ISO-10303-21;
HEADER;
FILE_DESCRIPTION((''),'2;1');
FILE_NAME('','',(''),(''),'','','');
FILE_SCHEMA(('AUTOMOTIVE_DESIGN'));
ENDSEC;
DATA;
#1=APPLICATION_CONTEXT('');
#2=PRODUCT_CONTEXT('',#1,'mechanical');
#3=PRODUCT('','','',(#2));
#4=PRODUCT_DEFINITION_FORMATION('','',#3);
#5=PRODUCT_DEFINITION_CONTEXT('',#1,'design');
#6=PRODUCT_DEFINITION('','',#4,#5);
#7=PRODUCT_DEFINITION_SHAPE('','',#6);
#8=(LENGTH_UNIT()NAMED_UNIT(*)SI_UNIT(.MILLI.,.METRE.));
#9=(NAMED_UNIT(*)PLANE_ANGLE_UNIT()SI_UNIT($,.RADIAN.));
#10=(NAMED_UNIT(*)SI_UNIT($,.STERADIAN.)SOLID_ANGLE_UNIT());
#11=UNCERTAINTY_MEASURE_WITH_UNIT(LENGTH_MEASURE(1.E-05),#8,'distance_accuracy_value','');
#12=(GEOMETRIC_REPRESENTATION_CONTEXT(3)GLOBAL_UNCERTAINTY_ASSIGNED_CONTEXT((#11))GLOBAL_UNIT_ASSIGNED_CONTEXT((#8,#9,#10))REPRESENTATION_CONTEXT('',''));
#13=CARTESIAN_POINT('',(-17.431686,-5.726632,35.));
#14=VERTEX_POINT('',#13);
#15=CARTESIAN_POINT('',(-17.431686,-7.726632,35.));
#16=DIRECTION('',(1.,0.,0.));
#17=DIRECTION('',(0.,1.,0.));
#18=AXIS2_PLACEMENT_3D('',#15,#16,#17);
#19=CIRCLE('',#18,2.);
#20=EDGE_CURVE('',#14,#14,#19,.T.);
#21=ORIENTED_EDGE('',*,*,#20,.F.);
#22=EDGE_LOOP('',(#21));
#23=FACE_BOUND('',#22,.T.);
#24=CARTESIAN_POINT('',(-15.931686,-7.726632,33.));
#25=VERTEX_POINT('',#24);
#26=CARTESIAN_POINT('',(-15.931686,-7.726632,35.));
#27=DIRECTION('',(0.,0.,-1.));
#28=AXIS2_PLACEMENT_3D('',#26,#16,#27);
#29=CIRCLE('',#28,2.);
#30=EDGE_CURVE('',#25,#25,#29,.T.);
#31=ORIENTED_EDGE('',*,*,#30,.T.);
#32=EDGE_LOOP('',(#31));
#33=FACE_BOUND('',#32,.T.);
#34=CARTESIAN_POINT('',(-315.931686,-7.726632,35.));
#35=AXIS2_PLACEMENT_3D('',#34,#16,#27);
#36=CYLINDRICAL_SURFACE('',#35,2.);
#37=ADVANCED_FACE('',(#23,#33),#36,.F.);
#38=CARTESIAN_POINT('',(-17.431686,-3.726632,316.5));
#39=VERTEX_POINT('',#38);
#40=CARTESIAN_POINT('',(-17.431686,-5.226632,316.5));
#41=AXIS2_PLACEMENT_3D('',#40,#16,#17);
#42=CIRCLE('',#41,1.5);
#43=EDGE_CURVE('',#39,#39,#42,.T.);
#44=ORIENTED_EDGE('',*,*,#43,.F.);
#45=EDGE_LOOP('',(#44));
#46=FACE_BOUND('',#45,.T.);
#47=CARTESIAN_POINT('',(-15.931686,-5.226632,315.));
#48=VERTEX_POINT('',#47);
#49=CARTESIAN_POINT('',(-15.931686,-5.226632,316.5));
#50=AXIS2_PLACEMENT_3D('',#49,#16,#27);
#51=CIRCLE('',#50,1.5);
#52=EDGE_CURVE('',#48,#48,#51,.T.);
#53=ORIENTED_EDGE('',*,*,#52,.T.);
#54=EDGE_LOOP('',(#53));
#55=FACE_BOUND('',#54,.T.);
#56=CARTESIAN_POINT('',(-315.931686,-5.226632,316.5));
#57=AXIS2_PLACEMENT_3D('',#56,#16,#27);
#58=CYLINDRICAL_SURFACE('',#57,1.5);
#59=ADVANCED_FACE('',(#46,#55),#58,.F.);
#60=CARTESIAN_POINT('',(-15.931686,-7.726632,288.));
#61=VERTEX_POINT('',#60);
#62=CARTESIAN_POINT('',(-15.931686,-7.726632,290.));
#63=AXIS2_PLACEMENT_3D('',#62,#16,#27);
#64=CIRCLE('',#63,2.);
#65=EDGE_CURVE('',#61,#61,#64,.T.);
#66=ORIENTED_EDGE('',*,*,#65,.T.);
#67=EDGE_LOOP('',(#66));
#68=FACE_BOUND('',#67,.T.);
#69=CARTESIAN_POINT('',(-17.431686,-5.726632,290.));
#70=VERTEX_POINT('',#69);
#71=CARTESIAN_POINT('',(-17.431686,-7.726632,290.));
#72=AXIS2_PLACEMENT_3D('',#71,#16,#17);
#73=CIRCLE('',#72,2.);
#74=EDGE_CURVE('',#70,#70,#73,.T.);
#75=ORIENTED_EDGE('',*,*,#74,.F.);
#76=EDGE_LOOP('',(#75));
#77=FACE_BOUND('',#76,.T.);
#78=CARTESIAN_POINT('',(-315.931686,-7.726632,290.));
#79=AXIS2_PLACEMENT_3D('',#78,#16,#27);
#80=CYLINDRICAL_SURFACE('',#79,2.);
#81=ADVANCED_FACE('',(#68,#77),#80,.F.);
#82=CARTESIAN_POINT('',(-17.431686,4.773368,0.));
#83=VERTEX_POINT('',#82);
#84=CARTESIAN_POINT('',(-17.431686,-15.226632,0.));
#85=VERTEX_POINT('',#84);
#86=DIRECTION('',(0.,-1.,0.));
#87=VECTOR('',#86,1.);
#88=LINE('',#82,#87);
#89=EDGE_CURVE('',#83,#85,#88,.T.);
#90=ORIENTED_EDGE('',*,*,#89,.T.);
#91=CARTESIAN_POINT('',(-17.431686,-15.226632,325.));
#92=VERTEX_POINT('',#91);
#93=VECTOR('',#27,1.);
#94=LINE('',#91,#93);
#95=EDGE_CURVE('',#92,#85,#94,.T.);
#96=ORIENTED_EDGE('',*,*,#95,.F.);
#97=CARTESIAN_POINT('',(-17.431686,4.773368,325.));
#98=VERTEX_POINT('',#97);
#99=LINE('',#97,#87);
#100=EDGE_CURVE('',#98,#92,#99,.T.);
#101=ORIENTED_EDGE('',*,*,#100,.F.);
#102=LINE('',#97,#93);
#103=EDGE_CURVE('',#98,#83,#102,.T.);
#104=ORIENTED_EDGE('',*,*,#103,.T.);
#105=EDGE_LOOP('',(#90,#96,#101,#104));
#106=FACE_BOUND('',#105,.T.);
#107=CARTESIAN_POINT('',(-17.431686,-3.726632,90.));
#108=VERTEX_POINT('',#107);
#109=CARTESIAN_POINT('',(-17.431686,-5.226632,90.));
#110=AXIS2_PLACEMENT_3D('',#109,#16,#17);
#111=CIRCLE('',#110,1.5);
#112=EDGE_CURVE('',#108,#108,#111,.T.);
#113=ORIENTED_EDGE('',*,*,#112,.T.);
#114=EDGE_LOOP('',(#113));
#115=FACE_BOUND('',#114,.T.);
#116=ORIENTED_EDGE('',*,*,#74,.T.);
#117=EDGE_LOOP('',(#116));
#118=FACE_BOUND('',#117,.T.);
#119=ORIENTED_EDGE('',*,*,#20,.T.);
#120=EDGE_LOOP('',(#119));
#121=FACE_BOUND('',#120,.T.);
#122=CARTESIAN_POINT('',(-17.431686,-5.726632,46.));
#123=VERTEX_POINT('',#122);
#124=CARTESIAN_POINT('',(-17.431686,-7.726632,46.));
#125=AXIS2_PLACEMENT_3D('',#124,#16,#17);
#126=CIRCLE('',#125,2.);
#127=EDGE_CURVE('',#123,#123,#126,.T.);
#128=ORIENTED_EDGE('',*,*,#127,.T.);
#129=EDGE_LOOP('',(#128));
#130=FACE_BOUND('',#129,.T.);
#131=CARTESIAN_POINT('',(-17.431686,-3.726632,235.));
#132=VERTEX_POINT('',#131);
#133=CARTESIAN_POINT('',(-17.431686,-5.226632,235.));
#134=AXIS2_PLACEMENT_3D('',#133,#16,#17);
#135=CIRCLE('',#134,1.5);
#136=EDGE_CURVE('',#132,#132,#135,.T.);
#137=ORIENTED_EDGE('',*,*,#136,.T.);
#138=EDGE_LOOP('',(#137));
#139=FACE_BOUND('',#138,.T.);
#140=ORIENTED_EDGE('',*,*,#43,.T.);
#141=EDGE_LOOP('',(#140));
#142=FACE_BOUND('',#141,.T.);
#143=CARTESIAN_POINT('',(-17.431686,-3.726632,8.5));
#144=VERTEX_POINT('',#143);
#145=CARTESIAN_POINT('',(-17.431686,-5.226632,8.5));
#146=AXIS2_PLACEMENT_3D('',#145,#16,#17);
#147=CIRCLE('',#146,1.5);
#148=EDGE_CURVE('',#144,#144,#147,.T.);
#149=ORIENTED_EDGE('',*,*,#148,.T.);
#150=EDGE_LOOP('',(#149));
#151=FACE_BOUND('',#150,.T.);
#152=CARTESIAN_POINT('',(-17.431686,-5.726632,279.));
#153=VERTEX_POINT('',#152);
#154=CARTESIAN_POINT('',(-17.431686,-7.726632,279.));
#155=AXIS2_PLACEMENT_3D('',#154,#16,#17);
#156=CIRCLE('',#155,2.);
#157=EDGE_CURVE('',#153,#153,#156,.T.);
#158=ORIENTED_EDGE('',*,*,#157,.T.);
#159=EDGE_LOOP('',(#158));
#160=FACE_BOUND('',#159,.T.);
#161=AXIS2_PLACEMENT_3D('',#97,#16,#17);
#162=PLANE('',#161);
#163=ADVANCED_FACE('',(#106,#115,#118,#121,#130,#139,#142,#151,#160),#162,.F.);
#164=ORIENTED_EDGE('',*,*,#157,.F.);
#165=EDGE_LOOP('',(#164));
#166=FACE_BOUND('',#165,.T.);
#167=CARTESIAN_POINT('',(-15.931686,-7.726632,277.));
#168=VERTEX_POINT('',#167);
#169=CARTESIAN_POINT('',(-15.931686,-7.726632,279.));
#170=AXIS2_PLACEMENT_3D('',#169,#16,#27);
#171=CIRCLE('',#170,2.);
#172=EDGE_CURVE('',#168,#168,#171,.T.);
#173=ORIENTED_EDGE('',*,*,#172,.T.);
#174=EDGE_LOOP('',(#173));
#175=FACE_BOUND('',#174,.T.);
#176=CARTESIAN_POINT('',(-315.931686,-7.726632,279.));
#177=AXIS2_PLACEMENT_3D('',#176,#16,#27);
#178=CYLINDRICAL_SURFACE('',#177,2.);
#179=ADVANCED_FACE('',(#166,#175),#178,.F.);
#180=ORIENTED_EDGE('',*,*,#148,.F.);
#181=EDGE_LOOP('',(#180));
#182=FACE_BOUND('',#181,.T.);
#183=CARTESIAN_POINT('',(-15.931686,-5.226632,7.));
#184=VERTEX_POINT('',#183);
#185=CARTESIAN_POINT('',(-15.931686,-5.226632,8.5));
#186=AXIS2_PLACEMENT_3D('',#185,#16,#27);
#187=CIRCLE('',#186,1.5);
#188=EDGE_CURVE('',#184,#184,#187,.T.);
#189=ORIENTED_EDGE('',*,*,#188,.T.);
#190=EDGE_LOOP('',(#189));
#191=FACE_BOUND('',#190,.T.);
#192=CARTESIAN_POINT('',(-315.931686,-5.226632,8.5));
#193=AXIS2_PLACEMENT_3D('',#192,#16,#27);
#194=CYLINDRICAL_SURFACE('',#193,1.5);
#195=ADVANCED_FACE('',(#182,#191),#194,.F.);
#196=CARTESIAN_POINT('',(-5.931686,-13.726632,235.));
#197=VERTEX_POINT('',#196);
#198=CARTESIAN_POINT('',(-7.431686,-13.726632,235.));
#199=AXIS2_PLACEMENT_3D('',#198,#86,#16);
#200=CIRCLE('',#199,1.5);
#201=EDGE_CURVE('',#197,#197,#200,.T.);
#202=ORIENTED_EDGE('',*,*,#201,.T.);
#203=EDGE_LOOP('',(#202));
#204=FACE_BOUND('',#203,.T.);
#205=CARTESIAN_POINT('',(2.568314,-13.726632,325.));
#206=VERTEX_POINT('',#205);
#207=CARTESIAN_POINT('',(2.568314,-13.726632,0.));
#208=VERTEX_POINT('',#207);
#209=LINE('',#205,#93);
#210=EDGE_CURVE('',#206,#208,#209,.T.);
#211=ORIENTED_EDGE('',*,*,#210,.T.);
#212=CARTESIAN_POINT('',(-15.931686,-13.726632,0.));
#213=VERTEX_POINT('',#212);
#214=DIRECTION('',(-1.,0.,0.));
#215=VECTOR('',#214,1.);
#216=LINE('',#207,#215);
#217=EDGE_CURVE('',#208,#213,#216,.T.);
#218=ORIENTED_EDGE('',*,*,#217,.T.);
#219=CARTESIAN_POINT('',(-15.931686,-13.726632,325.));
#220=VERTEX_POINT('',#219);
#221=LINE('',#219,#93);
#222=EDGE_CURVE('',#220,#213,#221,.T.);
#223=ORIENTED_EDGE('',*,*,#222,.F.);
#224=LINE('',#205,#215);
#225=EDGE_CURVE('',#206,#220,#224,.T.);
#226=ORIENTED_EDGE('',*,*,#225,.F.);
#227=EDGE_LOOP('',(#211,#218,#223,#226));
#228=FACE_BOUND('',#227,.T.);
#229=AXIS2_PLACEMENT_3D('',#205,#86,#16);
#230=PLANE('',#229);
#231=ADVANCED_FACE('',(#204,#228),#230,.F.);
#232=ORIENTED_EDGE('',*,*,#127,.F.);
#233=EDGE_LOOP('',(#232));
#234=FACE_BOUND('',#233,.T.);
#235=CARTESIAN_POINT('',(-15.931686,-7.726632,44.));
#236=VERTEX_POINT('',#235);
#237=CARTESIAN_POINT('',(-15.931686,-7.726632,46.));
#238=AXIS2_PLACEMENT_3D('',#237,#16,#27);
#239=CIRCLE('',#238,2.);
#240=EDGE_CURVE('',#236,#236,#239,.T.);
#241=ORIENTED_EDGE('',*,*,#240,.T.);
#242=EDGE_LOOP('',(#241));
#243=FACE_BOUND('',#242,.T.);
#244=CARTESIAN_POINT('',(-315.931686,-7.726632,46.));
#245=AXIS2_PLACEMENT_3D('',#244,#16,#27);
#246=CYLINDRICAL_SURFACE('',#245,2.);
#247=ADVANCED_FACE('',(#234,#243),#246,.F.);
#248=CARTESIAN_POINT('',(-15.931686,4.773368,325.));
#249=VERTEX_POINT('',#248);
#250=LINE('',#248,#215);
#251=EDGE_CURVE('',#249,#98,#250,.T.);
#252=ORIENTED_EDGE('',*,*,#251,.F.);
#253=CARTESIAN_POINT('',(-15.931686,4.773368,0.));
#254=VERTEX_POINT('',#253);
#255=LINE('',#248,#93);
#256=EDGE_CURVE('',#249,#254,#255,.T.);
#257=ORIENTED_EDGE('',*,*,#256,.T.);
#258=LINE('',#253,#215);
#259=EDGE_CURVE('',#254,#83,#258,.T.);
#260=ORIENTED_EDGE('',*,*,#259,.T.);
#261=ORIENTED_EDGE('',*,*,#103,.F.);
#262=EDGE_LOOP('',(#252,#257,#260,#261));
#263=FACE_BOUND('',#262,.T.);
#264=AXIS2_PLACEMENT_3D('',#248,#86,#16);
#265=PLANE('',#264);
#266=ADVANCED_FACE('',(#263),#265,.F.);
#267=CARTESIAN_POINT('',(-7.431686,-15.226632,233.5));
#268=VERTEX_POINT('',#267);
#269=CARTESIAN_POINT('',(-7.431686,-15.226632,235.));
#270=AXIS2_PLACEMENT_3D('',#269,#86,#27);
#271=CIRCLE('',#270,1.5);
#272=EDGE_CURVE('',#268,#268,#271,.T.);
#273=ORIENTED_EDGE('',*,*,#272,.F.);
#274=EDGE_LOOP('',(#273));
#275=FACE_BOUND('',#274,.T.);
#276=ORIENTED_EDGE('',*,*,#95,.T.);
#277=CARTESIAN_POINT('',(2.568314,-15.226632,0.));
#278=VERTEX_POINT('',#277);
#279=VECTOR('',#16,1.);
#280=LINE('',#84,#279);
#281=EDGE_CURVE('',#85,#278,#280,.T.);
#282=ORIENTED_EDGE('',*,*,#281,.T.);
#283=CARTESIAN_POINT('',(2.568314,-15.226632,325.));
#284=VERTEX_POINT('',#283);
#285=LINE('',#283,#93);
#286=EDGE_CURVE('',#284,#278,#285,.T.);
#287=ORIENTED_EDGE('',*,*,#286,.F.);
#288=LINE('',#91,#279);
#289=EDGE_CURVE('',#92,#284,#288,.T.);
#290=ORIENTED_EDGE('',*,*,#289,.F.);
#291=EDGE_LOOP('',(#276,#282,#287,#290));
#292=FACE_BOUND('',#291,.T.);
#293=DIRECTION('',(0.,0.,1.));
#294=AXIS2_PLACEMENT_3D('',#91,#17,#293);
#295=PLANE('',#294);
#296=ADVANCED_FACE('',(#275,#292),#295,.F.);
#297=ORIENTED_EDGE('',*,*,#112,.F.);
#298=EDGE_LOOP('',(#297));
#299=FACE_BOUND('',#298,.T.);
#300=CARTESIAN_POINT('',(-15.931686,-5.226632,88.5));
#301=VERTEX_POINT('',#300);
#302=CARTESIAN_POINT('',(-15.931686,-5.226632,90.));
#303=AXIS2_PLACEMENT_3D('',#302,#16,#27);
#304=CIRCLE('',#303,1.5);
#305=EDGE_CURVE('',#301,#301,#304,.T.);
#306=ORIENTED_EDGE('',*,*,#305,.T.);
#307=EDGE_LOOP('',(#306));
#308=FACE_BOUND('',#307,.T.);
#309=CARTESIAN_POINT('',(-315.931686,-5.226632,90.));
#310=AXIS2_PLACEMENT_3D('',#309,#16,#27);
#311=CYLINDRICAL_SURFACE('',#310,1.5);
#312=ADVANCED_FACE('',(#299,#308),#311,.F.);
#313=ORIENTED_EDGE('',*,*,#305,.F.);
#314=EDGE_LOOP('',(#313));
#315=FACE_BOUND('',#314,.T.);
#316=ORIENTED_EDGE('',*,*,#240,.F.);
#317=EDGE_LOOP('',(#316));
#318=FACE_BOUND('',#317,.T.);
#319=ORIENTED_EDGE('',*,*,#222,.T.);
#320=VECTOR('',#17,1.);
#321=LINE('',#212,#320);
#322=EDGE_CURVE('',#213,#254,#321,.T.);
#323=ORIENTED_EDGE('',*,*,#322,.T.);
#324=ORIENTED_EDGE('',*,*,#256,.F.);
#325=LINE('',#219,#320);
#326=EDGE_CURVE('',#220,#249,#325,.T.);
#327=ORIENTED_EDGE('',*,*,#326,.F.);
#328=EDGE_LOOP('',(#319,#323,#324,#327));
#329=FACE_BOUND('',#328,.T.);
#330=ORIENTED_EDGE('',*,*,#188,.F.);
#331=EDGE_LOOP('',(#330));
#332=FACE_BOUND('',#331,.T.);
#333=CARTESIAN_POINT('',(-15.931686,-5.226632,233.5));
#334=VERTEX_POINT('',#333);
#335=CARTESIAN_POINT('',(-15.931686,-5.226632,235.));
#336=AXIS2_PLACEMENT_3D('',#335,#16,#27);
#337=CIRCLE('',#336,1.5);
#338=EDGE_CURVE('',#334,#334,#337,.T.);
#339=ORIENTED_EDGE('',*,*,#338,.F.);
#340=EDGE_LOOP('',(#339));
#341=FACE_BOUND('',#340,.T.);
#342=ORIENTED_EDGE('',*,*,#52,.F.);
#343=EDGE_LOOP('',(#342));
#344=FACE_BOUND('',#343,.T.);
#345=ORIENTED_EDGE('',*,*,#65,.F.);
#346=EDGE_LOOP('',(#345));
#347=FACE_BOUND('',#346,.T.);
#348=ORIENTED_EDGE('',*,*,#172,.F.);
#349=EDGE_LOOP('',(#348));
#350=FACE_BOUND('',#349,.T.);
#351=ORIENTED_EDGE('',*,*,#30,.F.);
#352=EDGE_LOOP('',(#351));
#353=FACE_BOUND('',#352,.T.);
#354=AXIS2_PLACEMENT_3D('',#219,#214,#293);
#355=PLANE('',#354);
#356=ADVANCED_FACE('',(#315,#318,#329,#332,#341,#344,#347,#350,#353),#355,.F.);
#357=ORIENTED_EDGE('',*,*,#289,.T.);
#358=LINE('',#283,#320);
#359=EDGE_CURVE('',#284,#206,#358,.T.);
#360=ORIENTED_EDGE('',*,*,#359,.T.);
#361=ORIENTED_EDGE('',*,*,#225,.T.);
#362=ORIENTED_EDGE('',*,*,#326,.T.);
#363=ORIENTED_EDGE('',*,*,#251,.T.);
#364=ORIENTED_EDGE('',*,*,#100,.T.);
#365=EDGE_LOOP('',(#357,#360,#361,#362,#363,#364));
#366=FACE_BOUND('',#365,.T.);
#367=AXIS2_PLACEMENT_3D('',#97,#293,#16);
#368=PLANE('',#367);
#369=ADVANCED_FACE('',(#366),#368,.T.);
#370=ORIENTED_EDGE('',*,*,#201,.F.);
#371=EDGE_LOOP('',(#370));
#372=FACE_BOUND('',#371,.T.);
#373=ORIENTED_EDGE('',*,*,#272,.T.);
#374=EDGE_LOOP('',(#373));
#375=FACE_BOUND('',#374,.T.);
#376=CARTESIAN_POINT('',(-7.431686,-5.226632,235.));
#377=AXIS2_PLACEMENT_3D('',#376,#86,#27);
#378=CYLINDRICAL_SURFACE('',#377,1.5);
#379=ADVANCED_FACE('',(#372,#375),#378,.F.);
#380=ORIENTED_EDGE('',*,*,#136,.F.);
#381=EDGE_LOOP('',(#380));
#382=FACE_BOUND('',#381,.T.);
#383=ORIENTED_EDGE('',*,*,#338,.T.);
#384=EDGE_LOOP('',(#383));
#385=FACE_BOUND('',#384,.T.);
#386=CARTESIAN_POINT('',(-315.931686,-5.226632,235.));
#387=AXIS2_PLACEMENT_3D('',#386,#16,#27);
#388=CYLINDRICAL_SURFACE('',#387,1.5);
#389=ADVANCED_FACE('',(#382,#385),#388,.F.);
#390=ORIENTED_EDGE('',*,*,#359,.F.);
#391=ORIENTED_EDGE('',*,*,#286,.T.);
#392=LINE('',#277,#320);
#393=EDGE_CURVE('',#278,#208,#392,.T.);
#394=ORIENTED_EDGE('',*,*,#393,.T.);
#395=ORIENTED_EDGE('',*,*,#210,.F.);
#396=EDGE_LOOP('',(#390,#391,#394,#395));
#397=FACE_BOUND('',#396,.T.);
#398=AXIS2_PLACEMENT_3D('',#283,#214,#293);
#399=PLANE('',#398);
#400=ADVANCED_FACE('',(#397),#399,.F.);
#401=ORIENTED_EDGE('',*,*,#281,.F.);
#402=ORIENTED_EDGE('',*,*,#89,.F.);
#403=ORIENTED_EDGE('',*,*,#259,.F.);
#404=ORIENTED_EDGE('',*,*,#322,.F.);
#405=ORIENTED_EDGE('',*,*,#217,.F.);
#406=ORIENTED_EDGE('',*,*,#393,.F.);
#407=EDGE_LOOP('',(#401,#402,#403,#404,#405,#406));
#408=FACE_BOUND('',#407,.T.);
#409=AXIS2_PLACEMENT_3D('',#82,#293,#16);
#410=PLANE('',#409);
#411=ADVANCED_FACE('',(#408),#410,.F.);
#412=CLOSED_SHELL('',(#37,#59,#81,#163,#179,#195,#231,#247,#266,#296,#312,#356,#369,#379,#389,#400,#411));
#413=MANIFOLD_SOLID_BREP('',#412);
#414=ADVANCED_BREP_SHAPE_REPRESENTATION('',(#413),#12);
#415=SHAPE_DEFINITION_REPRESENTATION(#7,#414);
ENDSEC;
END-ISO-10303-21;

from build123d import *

# Parameters (mm, degrees)
EXTRUSION1_DEPTH = 325
ESQUISSE3_R      = 1.5
ESQUISSE3_R_2    = 2
EXTRUSION3_DEPTH = 300
ESQUISSE4_R      = 1.5
EXTRUSION5_DEPTH = 10


with BuildPart() as part:
    # Esquisse1 → Extrusion1 (new body)
    with BuildSketch(Plane.XY):
        Polygon((-17.43168638, 4.773368421), (-17.43168638, -15.226631579), (2.56831362, -15.226631579), (2.56831362, -13.726631579), (-15.93168638, -13.726631579), (-15.93168638, 4.773368421), align=None)
    extrude(amount=EXTRUSION1_DEPTH)

    # Esquisse3 → Extrusion3 (cut)
    with BuildSketch(Plane(origin=(-15.93168638, 0, 0), x_dir=(0, 0, -1), z_dir=(1, 0, 0))):
        with Locations((-316.5, -5.226631579)):
            Circle(ESQUISSE3_R)
        with Locations((-8.5, -5.226631579)):
            Circle(ESQUISSE3_R)
        with Locations((-35, -7.726631579)):
            Circle(ESQUISSE3_R_2)
        with Locations((-46, -7.726631579)):
            Circle(ESQUISSE3_R_2)
        with Locations((-290, -7.726631579)):
            Circle(ESQUISSE3_R_2)
        with Locations((-279, -7.726631579)):
            Circle(ESQUISSE3_R_2)
        with Locations((-235, -5.226631579)):
            Circle(ESQUISSE3_R)
        with Locations((-90, -5.226631579)):
            Circle(ESQUISSE3_R)
    extrude(amount=-EXTRUSION3_DEPTH, mode=Mode.SUBTRACT)

    # Esquisse4 → Extrusion5 (cut)
    with BuildSketch(Plane.XZ.offset(15.226631579)):
        with Locations(Location((-7.43168638, 235, 0), (0, 0, 270))):
            Circle(ESQUISSE4_R)
    extrude(amount=-EXTRUSION5_DEPTH, mode=Mode.SUBTRACT)


solid = part.part
